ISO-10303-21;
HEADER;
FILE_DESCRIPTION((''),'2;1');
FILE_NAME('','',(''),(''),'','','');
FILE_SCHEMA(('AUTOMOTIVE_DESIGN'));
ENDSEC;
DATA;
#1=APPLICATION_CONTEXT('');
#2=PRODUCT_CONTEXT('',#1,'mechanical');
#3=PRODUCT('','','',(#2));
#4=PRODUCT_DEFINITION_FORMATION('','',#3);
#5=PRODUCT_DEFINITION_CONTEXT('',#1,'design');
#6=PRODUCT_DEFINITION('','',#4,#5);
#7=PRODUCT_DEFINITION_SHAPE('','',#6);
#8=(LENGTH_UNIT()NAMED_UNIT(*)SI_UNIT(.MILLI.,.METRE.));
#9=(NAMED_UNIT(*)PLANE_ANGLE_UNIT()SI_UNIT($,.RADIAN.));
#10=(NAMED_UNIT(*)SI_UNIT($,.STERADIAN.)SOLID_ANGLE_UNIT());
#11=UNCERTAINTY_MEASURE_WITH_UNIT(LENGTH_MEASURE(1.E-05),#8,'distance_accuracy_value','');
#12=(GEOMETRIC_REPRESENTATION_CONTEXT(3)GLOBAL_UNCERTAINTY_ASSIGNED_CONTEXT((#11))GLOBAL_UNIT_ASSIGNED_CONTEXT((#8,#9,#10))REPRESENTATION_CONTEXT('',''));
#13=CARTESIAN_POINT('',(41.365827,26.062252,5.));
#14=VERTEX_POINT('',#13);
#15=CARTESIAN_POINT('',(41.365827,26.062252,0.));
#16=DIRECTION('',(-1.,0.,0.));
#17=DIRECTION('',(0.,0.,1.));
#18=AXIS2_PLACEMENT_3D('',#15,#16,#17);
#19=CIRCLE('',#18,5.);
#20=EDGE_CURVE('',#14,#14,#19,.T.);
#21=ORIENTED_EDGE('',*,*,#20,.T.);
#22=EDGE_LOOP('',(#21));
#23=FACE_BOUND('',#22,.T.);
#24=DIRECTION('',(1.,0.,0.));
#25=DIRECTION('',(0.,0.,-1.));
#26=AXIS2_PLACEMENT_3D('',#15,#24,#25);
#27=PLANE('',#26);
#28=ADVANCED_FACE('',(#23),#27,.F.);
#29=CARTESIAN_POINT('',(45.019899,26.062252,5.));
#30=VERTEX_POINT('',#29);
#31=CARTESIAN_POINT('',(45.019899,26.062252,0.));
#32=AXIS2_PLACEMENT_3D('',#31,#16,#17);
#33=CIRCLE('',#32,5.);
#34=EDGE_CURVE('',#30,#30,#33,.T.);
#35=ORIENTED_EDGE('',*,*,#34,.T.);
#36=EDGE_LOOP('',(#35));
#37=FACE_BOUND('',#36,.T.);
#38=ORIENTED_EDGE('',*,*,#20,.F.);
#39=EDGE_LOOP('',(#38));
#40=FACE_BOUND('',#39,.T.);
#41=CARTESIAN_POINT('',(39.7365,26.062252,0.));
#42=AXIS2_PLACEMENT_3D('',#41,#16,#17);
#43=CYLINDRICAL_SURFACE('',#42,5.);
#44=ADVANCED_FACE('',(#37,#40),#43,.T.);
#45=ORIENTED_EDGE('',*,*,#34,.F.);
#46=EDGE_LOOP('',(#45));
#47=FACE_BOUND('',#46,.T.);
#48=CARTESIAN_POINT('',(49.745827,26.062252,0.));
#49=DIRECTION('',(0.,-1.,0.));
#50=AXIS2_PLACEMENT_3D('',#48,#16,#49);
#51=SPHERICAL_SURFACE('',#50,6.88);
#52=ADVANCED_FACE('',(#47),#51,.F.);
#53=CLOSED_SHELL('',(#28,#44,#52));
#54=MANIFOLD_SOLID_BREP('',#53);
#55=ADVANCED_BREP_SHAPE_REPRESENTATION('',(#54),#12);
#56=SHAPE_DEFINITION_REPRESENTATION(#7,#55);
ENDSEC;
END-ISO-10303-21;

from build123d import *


with BuildPart() as part:
    # 草图1 → 旋转1 (revolve)
    with BuildSketch(Plane.XY, mode=Mode.PRIVATE) as revolve_1_sk:
        with BuildLine():
            Line((41.365827325, 26.062252183), (41.365827325, 31.062252183))
            Line((41.365827325, 31.062252183), (45.019898845, 31.062252183))
            ThreePointArc((45.019898845, 31.062252183), (43.427252014, 28.784384808), (42.865827325, 26.062252183))
            Line((42.865827325, 26.062252183), (41.365827325, 26.062252183))
        make_face()
    revolve(revolve_1_sk.sketch.rotate(Axis((39.736500013, 26.062252183, 0), (1, 0, 0)), 180), axis=Axis((39.736500013, 26.062252183, 0), (1, 0, 0)))  # turned: the seam where the file's is


solid = part.part
